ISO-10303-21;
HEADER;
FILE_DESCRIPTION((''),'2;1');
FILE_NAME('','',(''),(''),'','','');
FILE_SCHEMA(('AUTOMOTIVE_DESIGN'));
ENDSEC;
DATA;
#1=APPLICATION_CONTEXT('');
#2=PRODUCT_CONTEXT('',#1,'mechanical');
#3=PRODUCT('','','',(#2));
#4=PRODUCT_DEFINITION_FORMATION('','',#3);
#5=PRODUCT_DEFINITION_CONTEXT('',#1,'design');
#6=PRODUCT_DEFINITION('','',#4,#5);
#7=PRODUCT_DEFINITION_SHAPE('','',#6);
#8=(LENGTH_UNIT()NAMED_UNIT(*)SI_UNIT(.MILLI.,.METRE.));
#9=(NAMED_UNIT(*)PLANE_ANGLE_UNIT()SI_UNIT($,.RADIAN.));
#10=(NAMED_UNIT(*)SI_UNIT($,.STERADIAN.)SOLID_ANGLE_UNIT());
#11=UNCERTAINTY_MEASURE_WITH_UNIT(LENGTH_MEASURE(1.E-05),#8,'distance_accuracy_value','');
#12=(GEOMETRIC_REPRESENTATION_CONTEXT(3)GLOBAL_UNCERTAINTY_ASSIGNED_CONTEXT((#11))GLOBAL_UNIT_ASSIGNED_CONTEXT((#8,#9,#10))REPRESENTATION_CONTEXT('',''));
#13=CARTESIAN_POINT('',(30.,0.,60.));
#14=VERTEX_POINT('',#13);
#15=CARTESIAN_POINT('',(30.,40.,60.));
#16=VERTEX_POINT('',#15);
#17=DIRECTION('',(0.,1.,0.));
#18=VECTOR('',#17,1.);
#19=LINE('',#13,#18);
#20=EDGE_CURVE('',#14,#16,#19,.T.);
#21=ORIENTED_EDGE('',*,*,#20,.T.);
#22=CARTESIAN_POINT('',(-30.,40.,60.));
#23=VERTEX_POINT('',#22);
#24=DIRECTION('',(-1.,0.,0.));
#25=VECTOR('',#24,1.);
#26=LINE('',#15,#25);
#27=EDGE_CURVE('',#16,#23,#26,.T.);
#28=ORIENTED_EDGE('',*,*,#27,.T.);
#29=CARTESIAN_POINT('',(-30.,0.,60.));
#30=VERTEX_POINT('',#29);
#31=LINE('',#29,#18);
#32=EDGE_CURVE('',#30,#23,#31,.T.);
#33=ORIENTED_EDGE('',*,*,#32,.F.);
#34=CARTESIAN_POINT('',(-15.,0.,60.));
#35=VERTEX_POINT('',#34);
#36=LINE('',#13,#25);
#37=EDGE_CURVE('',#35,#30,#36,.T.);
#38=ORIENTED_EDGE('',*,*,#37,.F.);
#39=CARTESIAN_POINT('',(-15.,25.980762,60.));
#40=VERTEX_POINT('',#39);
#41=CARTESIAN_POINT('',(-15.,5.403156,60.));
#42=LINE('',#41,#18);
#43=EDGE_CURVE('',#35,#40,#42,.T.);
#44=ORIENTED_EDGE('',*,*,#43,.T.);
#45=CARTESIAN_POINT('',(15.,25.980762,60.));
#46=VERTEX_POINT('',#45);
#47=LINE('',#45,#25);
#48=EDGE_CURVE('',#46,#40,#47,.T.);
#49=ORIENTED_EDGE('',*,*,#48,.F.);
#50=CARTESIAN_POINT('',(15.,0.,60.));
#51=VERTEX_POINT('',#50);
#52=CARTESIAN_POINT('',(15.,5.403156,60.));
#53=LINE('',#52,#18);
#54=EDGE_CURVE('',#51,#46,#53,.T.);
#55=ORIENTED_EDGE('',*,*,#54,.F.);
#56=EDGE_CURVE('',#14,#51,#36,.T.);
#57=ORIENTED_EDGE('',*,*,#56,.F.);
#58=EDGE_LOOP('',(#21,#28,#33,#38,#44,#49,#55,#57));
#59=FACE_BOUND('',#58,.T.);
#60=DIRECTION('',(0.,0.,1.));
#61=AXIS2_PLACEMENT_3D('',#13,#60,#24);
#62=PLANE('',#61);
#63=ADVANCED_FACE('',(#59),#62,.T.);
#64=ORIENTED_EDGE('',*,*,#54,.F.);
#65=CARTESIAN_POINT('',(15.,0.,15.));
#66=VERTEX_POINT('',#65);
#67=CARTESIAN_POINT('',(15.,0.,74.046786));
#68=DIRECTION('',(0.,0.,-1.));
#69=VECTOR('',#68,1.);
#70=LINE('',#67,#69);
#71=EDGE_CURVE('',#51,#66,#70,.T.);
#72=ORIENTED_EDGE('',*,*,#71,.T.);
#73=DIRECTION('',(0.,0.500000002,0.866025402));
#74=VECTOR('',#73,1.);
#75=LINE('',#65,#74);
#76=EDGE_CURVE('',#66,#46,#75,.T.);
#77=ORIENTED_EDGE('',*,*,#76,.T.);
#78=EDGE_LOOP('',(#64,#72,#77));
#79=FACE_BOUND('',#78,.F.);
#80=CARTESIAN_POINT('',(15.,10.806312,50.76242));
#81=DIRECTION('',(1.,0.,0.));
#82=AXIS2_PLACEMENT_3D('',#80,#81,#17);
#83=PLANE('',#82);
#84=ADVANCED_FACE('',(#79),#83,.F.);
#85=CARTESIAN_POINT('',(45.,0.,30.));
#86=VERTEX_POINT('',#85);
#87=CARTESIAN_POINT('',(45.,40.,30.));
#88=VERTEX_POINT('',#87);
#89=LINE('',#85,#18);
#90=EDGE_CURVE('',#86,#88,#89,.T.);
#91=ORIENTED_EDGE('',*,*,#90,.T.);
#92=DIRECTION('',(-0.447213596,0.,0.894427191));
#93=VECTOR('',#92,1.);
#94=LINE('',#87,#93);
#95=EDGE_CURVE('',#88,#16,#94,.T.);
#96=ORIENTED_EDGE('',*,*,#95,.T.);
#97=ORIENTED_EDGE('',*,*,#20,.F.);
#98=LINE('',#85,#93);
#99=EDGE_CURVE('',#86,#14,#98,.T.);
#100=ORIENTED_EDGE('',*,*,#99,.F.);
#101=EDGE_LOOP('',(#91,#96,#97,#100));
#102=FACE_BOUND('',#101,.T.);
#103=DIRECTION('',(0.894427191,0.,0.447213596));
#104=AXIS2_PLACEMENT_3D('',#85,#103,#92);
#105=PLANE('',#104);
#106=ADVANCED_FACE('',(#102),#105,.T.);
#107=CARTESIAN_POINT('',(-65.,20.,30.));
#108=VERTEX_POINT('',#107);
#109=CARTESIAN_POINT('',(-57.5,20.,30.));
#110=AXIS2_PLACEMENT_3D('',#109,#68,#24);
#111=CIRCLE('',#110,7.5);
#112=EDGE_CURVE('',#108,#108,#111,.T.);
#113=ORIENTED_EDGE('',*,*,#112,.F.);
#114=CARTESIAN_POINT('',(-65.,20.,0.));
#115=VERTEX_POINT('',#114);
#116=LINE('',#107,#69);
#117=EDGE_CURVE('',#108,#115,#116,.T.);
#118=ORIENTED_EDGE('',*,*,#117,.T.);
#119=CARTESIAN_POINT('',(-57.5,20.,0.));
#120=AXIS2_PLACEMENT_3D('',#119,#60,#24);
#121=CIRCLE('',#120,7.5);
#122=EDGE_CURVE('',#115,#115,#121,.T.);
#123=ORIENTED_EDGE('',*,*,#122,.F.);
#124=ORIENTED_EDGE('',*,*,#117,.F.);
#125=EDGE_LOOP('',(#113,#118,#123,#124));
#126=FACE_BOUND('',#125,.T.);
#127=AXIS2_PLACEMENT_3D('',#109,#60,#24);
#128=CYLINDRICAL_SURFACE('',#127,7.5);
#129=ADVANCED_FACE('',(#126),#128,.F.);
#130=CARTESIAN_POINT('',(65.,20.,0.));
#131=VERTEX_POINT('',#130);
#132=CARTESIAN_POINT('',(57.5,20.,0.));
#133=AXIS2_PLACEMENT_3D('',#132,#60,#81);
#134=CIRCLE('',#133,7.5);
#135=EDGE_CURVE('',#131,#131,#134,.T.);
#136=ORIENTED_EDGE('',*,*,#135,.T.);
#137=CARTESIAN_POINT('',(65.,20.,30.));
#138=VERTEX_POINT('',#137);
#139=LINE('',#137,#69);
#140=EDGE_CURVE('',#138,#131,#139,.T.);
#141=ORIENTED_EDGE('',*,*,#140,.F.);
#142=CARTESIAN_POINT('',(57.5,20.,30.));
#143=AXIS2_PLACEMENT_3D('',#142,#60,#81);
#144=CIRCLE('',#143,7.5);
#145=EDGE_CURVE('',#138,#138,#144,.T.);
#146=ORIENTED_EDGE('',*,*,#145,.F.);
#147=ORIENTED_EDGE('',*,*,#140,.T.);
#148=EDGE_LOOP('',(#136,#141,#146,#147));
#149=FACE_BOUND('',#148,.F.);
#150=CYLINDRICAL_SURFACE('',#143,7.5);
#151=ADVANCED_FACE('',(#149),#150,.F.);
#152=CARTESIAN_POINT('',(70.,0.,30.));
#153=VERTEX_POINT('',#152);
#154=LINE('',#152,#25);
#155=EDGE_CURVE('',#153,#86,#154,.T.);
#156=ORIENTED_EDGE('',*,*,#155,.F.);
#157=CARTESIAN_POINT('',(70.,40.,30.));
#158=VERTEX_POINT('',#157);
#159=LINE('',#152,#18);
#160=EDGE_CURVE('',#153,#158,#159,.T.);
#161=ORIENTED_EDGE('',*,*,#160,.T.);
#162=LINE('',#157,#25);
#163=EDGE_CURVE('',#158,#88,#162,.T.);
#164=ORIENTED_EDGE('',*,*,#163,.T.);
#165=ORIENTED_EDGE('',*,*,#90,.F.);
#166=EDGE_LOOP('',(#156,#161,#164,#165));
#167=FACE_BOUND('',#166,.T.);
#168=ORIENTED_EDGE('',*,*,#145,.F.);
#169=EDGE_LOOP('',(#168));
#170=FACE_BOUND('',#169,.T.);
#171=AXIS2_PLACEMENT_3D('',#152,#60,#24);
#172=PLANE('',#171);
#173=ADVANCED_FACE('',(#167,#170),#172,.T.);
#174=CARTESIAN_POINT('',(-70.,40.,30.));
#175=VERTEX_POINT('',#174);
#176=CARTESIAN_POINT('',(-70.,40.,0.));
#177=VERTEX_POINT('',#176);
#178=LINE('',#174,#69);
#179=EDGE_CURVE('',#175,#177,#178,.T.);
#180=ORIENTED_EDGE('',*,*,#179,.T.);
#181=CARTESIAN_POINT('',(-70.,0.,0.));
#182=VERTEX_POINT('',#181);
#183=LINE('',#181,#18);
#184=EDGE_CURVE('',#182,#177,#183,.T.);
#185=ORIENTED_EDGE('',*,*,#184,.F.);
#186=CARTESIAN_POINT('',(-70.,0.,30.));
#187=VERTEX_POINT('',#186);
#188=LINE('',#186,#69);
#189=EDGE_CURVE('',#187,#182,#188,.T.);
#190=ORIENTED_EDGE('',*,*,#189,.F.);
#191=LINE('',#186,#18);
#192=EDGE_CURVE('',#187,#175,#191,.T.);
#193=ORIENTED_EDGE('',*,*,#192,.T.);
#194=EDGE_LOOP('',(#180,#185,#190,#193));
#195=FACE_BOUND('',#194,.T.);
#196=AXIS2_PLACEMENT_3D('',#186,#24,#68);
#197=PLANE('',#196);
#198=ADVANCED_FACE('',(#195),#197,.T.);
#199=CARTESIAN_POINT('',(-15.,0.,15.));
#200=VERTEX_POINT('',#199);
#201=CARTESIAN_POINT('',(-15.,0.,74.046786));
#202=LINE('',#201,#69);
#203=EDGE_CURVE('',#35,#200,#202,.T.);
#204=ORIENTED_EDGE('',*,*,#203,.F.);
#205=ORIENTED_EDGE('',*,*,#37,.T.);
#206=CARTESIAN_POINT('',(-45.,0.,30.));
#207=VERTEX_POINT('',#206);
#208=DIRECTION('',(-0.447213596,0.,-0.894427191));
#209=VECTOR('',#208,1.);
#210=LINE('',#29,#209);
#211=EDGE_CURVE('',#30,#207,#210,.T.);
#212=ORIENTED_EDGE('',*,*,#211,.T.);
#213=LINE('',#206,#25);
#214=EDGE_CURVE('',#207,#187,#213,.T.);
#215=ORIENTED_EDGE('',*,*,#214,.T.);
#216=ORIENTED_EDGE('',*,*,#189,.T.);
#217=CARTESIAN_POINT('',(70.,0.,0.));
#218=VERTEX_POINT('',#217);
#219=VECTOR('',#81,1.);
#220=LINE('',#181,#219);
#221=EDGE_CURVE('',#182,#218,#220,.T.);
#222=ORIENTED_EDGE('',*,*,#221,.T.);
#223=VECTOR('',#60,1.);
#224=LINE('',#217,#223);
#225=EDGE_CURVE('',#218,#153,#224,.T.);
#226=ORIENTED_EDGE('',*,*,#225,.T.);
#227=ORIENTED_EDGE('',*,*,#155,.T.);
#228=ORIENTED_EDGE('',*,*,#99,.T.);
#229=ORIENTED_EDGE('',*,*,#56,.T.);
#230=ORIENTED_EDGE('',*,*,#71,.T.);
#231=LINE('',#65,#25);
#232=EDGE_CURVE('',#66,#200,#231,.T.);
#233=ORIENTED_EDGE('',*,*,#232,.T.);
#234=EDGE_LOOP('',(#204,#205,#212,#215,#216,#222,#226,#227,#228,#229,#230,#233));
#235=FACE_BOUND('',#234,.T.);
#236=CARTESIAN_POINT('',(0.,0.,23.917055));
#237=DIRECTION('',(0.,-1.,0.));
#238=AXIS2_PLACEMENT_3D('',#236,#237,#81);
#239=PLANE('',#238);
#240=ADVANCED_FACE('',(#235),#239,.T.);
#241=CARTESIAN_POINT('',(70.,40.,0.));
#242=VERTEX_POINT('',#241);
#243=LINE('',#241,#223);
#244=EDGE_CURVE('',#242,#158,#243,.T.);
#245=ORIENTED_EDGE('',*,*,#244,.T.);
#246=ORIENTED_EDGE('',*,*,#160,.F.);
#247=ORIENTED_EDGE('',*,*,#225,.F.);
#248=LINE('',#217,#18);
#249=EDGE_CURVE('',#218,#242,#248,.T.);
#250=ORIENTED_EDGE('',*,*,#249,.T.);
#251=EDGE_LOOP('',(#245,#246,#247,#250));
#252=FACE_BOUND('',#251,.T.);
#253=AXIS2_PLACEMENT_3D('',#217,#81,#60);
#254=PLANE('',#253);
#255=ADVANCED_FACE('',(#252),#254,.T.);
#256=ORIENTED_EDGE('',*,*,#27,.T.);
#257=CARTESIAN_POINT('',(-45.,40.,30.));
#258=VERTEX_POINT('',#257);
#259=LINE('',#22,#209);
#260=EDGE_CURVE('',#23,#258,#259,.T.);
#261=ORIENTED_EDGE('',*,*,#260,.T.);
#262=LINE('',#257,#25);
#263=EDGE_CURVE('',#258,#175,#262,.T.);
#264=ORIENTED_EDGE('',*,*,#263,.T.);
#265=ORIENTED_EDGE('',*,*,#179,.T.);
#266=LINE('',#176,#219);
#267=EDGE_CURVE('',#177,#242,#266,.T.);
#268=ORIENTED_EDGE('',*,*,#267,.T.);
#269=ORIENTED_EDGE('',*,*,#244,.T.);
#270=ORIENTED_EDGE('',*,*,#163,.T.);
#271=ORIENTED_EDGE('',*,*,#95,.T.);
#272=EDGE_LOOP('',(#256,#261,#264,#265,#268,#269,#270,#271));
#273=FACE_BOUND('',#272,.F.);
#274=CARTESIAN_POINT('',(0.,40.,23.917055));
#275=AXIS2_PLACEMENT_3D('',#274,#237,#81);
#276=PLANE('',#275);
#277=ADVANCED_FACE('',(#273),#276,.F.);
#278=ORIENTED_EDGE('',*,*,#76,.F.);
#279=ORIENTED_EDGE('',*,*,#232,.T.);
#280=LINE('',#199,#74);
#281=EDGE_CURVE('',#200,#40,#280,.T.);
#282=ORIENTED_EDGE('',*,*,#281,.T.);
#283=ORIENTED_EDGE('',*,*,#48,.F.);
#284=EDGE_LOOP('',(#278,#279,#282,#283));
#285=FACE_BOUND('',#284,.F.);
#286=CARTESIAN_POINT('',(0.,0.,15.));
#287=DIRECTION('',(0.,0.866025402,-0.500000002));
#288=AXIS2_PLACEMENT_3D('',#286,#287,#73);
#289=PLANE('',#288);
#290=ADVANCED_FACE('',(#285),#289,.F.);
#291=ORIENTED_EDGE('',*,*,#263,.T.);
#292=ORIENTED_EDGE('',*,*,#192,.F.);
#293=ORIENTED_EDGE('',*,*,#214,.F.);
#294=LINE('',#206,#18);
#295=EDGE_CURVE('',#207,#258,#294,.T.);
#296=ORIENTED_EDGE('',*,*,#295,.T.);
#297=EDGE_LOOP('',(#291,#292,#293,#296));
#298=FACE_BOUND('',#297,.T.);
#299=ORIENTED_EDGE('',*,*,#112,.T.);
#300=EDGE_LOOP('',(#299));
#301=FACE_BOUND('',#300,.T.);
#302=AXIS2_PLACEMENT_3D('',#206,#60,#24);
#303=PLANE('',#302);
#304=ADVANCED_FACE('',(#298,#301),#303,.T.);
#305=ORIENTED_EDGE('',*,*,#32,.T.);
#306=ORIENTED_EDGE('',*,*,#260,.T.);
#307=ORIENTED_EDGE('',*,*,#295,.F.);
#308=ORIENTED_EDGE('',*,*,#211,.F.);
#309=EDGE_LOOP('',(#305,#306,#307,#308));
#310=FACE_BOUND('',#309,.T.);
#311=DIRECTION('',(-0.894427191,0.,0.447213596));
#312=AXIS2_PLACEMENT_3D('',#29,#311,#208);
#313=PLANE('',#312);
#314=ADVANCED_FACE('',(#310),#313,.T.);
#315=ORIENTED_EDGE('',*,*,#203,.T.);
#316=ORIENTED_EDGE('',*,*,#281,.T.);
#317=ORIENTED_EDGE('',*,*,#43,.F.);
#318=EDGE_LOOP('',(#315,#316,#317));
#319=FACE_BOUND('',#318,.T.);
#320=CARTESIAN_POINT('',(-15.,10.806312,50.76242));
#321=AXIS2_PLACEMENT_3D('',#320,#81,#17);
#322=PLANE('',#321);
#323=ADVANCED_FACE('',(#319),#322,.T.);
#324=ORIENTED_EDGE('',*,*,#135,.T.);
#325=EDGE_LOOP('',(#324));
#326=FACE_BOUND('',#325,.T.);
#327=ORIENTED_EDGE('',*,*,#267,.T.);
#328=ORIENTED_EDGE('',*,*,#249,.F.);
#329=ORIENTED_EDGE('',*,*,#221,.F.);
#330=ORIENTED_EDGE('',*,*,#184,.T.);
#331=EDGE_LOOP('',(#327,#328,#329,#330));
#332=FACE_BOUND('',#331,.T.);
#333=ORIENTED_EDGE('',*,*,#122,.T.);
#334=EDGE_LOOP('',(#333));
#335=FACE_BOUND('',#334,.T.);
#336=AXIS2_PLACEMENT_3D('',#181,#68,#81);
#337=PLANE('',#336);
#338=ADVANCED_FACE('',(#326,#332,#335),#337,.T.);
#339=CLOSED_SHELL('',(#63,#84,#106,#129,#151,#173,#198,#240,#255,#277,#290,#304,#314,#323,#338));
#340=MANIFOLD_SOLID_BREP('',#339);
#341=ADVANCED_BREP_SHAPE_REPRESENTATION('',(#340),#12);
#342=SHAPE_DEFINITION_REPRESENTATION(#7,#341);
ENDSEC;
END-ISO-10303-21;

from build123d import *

# Parameters (mm, degrees)
PAD001_DEPTH = 15
PAD_DEPTH    = 40
SKETCH002_R  = 7.5
POCKET_DEPTH = 344.961315


with BuildPart() as pad001:
    # Sketch001 → Pad001 (new body, symmetric)
    with BuildSketch(Plane.YZ):
        Polygon((0, 15), (34.090678, 74.046786), (0, 74.046786), align=None)
    extrude(amount=PAD001_DEPTH, both=True)


with BuildPart() as mirrored:
    # Sketch → Pad (new body)
    with BuildSketch(Plane.XZ):
        Polygon((-70, 0), (70, 0), (70, 30), (45, 30), (30, 60), (-30, 60), (-45, 30), (-70, 30), align=None)
    extrude(amount=-PAD_DEPTH)

    # Cut: cut Pad001
    add(pad001.part, mode=Mode.SUBTRACT)

    # Sketch002 → Pocket (cut, through all)
    with BuildSketch(Plane.XY.offset(30)):
        with Locations((57.5, 20)):
            Circle(SKETCH002_R)
    pocket = extrude(amount=-POCKET_DEPTH, mode=Mode.SUBTRACT)

    # Mirrored: Pocket across Sketch002 V_Axis
    add(pocket.mirror(Plane(origin=(0, 0, 30), x_dir=(0, 0, 1), z_dir=(1, 0, 0))), mode=Mode.SUBTRACT)


solid = mirrored.part
